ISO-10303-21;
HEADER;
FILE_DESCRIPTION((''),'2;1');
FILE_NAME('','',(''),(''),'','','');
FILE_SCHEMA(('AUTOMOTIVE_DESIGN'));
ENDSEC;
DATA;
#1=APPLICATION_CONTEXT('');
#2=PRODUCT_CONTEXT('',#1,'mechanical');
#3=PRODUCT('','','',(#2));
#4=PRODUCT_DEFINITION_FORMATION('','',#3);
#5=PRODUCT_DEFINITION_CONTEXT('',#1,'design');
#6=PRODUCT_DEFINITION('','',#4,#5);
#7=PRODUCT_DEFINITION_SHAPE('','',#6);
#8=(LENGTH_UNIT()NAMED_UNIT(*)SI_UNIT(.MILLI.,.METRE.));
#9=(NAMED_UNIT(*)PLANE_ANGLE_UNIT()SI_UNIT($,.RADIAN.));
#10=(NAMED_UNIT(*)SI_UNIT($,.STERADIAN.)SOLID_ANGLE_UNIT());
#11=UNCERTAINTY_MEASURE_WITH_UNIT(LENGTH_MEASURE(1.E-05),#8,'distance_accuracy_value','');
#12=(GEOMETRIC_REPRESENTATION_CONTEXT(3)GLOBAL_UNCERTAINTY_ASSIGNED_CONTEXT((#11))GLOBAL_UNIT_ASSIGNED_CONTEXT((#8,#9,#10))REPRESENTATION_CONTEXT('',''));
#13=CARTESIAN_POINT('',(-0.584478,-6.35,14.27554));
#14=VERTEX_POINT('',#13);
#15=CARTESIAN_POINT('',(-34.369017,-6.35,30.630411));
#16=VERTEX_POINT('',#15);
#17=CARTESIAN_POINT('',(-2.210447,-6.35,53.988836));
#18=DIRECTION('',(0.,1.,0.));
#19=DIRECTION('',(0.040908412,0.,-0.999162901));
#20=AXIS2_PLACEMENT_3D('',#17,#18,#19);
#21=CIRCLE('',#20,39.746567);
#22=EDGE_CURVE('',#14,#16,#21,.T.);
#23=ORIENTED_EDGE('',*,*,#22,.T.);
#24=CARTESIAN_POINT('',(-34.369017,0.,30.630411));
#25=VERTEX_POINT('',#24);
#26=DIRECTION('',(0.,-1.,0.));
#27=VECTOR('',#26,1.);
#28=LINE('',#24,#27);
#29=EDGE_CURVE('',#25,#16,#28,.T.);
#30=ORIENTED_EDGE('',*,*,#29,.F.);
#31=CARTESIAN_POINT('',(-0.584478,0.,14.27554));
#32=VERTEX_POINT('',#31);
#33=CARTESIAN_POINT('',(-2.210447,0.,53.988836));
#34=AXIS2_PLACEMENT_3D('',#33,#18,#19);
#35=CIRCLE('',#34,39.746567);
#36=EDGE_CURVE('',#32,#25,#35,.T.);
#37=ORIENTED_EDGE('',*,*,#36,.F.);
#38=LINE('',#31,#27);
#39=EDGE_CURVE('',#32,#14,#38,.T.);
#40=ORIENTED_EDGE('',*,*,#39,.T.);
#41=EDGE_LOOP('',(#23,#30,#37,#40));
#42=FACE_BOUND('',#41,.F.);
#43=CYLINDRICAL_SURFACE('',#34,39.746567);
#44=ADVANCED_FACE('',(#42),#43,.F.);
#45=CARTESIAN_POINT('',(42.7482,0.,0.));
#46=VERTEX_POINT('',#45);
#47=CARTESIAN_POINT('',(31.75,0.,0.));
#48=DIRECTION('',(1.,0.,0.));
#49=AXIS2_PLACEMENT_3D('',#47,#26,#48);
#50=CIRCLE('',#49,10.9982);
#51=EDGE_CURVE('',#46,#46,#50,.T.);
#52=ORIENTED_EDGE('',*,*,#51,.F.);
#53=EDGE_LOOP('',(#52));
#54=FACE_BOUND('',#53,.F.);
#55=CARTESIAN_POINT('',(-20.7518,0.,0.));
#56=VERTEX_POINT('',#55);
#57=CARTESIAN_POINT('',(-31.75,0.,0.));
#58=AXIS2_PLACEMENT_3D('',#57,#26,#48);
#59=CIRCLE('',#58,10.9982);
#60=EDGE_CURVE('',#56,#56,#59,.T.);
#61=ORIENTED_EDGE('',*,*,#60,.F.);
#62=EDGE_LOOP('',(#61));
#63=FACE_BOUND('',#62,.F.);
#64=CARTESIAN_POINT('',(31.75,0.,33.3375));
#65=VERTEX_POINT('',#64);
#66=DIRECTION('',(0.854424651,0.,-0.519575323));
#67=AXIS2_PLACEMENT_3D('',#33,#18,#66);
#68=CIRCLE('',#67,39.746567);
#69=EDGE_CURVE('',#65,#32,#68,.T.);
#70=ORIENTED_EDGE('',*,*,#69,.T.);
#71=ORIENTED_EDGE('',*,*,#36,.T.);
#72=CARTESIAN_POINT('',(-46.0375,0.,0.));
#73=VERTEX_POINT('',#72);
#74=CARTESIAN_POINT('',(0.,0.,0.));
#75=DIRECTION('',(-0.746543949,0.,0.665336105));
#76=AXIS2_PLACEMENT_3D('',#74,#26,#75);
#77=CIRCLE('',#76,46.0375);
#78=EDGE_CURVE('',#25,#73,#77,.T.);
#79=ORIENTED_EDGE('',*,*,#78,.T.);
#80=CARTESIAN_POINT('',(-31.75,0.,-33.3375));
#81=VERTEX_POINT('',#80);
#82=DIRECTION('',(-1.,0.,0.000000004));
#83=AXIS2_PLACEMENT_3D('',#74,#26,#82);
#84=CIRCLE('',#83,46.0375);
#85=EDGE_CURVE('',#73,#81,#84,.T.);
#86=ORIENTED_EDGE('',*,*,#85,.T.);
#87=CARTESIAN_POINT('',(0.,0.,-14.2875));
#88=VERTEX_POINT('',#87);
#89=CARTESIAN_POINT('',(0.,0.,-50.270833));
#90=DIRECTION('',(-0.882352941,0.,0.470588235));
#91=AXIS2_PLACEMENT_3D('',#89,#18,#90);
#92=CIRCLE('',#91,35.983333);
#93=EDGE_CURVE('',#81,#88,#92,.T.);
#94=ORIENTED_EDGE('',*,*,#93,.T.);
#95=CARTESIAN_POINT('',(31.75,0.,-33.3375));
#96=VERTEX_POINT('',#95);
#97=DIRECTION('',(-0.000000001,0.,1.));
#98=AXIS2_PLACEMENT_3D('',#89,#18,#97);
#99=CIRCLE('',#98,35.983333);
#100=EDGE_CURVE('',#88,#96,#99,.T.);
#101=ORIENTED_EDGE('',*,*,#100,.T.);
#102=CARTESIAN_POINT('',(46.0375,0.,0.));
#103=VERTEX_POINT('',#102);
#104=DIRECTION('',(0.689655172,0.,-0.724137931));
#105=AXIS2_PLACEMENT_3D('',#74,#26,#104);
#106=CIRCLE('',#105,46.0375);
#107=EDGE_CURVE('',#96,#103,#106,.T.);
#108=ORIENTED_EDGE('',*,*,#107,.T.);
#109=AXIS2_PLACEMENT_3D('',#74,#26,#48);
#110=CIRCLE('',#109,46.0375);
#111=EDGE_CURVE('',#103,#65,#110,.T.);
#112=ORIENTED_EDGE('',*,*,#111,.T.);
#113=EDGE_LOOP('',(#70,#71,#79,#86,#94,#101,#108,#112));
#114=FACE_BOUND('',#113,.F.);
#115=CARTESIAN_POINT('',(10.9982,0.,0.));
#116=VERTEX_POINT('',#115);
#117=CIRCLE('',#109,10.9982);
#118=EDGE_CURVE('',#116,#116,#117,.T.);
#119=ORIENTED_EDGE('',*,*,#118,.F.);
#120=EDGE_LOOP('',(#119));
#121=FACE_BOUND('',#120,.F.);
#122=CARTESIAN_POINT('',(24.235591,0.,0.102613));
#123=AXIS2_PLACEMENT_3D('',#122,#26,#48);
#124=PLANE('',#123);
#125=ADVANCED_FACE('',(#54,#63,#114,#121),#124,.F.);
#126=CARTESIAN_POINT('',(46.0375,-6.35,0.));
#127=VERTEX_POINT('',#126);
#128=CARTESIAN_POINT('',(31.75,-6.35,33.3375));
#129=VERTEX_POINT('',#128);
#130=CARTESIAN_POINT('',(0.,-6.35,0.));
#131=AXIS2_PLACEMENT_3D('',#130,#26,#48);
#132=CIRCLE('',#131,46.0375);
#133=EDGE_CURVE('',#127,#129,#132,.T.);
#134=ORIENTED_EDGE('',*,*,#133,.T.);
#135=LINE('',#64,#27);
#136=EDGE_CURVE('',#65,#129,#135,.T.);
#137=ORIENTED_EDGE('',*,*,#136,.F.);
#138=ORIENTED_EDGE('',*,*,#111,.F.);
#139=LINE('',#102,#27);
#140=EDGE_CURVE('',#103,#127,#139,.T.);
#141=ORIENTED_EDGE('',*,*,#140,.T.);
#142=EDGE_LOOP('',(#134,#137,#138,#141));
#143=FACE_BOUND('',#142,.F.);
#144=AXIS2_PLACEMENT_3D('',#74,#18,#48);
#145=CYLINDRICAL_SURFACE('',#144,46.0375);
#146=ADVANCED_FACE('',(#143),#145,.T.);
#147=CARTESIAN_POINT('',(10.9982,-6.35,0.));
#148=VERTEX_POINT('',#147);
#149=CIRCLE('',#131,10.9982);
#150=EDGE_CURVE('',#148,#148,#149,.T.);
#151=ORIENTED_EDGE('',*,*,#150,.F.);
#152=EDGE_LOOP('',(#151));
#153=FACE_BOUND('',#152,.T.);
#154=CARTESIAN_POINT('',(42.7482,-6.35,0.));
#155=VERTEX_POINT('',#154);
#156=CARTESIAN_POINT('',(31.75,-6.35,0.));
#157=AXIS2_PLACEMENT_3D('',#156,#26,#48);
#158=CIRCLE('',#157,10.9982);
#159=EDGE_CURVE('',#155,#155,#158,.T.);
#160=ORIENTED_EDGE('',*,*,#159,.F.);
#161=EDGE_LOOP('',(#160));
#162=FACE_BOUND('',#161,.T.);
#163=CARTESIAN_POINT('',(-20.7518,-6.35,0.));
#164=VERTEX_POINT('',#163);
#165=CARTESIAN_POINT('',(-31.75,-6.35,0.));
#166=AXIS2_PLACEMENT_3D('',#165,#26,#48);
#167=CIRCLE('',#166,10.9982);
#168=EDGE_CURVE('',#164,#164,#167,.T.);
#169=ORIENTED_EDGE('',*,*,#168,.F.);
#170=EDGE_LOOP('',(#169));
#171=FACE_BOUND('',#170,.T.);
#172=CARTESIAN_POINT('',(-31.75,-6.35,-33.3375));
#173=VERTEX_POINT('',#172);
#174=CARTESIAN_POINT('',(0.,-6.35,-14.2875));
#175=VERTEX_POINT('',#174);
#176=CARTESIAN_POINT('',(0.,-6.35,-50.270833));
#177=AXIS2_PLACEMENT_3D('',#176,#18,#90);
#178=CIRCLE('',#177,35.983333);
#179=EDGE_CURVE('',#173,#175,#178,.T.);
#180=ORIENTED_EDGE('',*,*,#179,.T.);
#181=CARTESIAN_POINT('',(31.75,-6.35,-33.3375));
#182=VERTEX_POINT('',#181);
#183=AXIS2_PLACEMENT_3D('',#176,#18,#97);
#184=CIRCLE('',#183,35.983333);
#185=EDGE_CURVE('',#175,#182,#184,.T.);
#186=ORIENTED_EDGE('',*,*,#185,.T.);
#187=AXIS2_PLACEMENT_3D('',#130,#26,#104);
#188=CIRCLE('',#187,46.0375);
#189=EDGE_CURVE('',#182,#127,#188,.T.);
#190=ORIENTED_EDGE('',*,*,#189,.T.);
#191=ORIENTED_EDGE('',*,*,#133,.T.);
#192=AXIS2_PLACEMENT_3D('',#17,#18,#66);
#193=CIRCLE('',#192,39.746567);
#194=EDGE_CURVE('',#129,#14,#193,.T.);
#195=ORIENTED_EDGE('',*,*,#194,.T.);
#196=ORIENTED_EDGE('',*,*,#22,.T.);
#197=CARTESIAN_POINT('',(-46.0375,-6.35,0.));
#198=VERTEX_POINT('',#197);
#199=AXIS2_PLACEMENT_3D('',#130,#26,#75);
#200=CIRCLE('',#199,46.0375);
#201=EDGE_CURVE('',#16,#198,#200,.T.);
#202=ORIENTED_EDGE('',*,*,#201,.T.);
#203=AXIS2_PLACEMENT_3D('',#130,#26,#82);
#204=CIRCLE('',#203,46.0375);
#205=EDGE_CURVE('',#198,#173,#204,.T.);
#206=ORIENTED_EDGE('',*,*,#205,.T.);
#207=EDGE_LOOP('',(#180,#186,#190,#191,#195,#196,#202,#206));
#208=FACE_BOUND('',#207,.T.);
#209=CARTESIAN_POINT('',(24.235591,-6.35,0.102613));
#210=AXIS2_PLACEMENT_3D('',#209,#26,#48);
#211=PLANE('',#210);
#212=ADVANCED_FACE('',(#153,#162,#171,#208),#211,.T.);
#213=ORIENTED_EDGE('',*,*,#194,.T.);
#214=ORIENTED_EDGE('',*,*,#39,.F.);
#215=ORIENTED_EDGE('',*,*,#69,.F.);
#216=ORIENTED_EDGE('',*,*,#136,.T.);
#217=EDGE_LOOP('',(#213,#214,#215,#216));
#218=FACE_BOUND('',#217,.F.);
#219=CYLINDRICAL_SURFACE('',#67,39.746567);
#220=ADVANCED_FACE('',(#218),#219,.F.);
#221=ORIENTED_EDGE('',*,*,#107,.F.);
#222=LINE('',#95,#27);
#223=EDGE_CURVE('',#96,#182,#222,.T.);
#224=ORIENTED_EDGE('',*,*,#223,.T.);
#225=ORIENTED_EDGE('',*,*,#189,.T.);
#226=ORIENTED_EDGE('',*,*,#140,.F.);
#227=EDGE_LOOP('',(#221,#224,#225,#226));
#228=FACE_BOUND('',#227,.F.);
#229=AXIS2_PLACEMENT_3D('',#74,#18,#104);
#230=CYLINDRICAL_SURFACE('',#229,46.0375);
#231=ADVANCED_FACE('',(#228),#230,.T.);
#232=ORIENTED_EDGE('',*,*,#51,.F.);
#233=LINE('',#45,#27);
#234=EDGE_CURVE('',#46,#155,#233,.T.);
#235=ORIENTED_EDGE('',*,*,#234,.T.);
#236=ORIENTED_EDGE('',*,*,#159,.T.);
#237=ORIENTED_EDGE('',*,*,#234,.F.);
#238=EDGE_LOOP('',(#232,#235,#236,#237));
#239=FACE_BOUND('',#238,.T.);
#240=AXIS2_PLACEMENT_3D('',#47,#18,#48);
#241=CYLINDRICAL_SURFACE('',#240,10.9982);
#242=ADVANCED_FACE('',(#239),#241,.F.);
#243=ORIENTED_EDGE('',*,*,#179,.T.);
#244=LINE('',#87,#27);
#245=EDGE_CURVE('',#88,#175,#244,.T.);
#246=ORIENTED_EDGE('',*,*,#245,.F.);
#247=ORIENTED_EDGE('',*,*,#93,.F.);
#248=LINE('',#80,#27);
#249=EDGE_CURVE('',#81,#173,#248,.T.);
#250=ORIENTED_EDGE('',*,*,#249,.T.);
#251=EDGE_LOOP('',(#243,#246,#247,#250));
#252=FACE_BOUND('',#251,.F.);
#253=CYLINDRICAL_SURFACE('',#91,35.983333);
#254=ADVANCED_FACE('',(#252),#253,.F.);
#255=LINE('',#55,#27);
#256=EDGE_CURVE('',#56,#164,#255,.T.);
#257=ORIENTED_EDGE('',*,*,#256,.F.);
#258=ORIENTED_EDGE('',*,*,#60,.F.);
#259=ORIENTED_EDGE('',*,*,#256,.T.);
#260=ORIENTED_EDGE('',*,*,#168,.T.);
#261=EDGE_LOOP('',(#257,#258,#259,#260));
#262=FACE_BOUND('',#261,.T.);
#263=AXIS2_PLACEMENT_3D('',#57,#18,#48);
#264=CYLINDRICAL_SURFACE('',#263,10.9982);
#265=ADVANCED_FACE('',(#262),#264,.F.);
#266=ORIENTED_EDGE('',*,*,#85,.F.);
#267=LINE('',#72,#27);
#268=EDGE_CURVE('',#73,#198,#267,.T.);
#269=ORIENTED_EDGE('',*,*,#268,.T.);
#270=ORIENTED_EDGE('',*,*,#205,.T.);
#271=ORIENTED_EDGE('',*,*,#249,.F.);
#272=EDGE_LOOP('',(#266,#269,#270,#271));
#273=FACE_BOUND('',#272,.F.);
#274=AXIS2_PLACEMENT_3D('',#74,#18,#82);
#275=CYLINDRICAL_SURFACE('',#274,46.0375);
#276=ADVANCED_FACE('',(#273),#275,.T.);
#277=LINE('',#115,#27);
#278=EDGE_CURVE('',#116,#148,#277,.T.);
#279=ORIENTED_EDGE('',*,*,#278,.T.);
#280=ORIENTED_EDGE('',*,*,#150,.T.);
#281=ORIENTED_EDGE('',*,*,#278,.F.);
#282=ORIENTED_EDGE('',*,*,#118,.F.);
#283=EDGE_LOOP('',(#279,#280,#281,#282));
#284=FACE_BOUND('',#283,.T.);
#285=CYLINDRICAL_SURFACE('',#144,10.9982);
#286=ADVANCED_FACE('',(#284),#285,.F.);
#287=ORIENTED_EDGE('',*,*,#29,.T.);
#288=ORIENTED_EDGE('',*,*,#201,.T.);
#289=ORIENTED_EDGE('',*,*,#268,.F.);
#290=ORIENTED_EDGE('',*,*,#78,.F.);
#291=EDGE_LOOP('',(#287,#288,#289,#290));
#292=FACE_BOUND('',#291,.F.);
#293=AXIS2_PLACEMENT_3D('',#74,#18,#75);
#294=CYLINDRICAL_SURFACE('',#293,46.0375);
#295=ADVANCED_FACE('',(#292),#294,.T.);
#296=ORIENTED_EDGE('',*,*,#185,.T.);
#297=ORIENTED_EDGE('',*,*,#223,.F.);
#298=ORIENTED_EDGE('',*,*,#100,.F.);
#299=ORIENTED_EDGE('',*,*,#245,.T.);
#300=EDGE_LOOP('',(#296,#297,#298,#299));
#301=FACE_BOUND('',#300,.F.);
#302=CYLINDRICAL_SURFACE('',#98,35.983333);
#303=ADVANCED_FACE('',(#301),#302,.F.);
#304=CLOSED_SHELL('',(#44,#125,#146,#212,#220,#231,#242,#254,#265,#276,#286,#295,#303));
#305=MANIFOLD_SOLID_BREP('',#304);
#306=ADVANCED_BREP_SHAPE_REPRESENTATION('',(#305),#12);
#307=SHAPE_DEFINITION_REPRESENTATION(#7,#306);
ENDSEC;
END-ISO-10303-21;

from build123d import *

# Parameters (mm, degrees)
F0_R     = 14.2875
F0_R_2   = 10.9982
F1_DEPTH = 6.35


with BuildPart() as f1:
    # F0 (on Front) → F1 (new body)
    with BuildSketch(Plane.XZ):
        with BuildLine():
            ThreePointArc((-0.5844780805, 14.2755399766), (9.8939861955, 10.3073611275), (14.2875, 0))
            ThreePointArc((14.2875, 0), (10.1027881233, -10.1027881491), (-3.66e-08, -14.2875))
            ThreePointArc((-3.66e-08, -14.2875), (18.5132722505, -19.415379547), (31.75, -33.3375))
            ThreePointArc((31.75, -33.3375), (42.3151393195, -18.1350597083), (46.0375, 0))
            ThreePointArc((46.0375, 0), (42.3151393195, 18.1350597083), (31.75, 33.3375))
            ThreePointArc((31.75, 33.3375), (17.9746422802, 19.7492124484), (-0.5844780805, 14.2755399766))
        make_face()
        with Locations((31.75, 0)):
            Circle(F0_R, mode=Mode.SUBTRACT)
        with BuildLine():
            ThreePointArc((-3.66e-08, -14.2875), (-14.2845096816, -0.2923001993), (-0.5844780805, 14.2755399766))
            ThreePointArc((-0.5844780805, 14.2755399766), (-19.5289453165, 18.2137151613), (-34.3690170298, 30.6304109449))
            ThreePointArc((-34.3690170298, 30.6304109449), (-43.021593548, 16.3888344563), (-46.0375, 1.611e-07))
            ThreePointArc((-46.0375, 1.611e-07), (-42.3151393512, -18.1350596343), (-31.75, -33.3375))
            ThreePointArc((-31.75, -33.3375), (-18.5132722818, -19.4153795658), (-3.66e-08, -14.2875))
        make_face()
        with BuildLine():
            ThreePointArc((-17.4625, 0), (-31.7500000805, -14.2875), (-46.0375, 1.611e-07))
            ThreePointArc((-46.0375, 1.611e-07), (-31.7499999195, 14.2875), (-17.4625, 0))
        make_face(mode=Mode.SUBTRACT)
        with BuildLine():
            ThreePointArc((-3.66e-08, -14.2875), (10.1027881233, -10.1027881491), (14.2875, 0))
            ThreePointArc((14.2875, 0), (9.8939861955, 10.3073611275), (-0.5844780805, 14.2755399766))
            ThreePointArc((-0.5844780805, 14.2755399766), (-14.2845096816, -0.2923001993), (-3.66e-08, -14.2875))
        make_face()
        Circle(F0_R_2, mode=Mode.SUBTRACT)
        with Locations((31.75, 0)):
            Circle(F0_R)
        with Locations((31.75, 0)):
            Circle(F0_R_2, mode=Mode.SUBTRACT)
        with BuildLine():
            ThreePointArc((-17.4625, 0), (-31.7499999195, 14.2875), (-46.0375, 1.611e-07))
            ThreePointArc((-46.0375, 1.611e-07), (-31.7500000805, -14.2875), (-17.4625, 0))
        make_face()
        with Locations((-31.75, 0)):
            Circle(F0_R_2, mode=Mode.SUBTRACT)
    extrude(amount=F1_DEPTH)


solid = f1.part
